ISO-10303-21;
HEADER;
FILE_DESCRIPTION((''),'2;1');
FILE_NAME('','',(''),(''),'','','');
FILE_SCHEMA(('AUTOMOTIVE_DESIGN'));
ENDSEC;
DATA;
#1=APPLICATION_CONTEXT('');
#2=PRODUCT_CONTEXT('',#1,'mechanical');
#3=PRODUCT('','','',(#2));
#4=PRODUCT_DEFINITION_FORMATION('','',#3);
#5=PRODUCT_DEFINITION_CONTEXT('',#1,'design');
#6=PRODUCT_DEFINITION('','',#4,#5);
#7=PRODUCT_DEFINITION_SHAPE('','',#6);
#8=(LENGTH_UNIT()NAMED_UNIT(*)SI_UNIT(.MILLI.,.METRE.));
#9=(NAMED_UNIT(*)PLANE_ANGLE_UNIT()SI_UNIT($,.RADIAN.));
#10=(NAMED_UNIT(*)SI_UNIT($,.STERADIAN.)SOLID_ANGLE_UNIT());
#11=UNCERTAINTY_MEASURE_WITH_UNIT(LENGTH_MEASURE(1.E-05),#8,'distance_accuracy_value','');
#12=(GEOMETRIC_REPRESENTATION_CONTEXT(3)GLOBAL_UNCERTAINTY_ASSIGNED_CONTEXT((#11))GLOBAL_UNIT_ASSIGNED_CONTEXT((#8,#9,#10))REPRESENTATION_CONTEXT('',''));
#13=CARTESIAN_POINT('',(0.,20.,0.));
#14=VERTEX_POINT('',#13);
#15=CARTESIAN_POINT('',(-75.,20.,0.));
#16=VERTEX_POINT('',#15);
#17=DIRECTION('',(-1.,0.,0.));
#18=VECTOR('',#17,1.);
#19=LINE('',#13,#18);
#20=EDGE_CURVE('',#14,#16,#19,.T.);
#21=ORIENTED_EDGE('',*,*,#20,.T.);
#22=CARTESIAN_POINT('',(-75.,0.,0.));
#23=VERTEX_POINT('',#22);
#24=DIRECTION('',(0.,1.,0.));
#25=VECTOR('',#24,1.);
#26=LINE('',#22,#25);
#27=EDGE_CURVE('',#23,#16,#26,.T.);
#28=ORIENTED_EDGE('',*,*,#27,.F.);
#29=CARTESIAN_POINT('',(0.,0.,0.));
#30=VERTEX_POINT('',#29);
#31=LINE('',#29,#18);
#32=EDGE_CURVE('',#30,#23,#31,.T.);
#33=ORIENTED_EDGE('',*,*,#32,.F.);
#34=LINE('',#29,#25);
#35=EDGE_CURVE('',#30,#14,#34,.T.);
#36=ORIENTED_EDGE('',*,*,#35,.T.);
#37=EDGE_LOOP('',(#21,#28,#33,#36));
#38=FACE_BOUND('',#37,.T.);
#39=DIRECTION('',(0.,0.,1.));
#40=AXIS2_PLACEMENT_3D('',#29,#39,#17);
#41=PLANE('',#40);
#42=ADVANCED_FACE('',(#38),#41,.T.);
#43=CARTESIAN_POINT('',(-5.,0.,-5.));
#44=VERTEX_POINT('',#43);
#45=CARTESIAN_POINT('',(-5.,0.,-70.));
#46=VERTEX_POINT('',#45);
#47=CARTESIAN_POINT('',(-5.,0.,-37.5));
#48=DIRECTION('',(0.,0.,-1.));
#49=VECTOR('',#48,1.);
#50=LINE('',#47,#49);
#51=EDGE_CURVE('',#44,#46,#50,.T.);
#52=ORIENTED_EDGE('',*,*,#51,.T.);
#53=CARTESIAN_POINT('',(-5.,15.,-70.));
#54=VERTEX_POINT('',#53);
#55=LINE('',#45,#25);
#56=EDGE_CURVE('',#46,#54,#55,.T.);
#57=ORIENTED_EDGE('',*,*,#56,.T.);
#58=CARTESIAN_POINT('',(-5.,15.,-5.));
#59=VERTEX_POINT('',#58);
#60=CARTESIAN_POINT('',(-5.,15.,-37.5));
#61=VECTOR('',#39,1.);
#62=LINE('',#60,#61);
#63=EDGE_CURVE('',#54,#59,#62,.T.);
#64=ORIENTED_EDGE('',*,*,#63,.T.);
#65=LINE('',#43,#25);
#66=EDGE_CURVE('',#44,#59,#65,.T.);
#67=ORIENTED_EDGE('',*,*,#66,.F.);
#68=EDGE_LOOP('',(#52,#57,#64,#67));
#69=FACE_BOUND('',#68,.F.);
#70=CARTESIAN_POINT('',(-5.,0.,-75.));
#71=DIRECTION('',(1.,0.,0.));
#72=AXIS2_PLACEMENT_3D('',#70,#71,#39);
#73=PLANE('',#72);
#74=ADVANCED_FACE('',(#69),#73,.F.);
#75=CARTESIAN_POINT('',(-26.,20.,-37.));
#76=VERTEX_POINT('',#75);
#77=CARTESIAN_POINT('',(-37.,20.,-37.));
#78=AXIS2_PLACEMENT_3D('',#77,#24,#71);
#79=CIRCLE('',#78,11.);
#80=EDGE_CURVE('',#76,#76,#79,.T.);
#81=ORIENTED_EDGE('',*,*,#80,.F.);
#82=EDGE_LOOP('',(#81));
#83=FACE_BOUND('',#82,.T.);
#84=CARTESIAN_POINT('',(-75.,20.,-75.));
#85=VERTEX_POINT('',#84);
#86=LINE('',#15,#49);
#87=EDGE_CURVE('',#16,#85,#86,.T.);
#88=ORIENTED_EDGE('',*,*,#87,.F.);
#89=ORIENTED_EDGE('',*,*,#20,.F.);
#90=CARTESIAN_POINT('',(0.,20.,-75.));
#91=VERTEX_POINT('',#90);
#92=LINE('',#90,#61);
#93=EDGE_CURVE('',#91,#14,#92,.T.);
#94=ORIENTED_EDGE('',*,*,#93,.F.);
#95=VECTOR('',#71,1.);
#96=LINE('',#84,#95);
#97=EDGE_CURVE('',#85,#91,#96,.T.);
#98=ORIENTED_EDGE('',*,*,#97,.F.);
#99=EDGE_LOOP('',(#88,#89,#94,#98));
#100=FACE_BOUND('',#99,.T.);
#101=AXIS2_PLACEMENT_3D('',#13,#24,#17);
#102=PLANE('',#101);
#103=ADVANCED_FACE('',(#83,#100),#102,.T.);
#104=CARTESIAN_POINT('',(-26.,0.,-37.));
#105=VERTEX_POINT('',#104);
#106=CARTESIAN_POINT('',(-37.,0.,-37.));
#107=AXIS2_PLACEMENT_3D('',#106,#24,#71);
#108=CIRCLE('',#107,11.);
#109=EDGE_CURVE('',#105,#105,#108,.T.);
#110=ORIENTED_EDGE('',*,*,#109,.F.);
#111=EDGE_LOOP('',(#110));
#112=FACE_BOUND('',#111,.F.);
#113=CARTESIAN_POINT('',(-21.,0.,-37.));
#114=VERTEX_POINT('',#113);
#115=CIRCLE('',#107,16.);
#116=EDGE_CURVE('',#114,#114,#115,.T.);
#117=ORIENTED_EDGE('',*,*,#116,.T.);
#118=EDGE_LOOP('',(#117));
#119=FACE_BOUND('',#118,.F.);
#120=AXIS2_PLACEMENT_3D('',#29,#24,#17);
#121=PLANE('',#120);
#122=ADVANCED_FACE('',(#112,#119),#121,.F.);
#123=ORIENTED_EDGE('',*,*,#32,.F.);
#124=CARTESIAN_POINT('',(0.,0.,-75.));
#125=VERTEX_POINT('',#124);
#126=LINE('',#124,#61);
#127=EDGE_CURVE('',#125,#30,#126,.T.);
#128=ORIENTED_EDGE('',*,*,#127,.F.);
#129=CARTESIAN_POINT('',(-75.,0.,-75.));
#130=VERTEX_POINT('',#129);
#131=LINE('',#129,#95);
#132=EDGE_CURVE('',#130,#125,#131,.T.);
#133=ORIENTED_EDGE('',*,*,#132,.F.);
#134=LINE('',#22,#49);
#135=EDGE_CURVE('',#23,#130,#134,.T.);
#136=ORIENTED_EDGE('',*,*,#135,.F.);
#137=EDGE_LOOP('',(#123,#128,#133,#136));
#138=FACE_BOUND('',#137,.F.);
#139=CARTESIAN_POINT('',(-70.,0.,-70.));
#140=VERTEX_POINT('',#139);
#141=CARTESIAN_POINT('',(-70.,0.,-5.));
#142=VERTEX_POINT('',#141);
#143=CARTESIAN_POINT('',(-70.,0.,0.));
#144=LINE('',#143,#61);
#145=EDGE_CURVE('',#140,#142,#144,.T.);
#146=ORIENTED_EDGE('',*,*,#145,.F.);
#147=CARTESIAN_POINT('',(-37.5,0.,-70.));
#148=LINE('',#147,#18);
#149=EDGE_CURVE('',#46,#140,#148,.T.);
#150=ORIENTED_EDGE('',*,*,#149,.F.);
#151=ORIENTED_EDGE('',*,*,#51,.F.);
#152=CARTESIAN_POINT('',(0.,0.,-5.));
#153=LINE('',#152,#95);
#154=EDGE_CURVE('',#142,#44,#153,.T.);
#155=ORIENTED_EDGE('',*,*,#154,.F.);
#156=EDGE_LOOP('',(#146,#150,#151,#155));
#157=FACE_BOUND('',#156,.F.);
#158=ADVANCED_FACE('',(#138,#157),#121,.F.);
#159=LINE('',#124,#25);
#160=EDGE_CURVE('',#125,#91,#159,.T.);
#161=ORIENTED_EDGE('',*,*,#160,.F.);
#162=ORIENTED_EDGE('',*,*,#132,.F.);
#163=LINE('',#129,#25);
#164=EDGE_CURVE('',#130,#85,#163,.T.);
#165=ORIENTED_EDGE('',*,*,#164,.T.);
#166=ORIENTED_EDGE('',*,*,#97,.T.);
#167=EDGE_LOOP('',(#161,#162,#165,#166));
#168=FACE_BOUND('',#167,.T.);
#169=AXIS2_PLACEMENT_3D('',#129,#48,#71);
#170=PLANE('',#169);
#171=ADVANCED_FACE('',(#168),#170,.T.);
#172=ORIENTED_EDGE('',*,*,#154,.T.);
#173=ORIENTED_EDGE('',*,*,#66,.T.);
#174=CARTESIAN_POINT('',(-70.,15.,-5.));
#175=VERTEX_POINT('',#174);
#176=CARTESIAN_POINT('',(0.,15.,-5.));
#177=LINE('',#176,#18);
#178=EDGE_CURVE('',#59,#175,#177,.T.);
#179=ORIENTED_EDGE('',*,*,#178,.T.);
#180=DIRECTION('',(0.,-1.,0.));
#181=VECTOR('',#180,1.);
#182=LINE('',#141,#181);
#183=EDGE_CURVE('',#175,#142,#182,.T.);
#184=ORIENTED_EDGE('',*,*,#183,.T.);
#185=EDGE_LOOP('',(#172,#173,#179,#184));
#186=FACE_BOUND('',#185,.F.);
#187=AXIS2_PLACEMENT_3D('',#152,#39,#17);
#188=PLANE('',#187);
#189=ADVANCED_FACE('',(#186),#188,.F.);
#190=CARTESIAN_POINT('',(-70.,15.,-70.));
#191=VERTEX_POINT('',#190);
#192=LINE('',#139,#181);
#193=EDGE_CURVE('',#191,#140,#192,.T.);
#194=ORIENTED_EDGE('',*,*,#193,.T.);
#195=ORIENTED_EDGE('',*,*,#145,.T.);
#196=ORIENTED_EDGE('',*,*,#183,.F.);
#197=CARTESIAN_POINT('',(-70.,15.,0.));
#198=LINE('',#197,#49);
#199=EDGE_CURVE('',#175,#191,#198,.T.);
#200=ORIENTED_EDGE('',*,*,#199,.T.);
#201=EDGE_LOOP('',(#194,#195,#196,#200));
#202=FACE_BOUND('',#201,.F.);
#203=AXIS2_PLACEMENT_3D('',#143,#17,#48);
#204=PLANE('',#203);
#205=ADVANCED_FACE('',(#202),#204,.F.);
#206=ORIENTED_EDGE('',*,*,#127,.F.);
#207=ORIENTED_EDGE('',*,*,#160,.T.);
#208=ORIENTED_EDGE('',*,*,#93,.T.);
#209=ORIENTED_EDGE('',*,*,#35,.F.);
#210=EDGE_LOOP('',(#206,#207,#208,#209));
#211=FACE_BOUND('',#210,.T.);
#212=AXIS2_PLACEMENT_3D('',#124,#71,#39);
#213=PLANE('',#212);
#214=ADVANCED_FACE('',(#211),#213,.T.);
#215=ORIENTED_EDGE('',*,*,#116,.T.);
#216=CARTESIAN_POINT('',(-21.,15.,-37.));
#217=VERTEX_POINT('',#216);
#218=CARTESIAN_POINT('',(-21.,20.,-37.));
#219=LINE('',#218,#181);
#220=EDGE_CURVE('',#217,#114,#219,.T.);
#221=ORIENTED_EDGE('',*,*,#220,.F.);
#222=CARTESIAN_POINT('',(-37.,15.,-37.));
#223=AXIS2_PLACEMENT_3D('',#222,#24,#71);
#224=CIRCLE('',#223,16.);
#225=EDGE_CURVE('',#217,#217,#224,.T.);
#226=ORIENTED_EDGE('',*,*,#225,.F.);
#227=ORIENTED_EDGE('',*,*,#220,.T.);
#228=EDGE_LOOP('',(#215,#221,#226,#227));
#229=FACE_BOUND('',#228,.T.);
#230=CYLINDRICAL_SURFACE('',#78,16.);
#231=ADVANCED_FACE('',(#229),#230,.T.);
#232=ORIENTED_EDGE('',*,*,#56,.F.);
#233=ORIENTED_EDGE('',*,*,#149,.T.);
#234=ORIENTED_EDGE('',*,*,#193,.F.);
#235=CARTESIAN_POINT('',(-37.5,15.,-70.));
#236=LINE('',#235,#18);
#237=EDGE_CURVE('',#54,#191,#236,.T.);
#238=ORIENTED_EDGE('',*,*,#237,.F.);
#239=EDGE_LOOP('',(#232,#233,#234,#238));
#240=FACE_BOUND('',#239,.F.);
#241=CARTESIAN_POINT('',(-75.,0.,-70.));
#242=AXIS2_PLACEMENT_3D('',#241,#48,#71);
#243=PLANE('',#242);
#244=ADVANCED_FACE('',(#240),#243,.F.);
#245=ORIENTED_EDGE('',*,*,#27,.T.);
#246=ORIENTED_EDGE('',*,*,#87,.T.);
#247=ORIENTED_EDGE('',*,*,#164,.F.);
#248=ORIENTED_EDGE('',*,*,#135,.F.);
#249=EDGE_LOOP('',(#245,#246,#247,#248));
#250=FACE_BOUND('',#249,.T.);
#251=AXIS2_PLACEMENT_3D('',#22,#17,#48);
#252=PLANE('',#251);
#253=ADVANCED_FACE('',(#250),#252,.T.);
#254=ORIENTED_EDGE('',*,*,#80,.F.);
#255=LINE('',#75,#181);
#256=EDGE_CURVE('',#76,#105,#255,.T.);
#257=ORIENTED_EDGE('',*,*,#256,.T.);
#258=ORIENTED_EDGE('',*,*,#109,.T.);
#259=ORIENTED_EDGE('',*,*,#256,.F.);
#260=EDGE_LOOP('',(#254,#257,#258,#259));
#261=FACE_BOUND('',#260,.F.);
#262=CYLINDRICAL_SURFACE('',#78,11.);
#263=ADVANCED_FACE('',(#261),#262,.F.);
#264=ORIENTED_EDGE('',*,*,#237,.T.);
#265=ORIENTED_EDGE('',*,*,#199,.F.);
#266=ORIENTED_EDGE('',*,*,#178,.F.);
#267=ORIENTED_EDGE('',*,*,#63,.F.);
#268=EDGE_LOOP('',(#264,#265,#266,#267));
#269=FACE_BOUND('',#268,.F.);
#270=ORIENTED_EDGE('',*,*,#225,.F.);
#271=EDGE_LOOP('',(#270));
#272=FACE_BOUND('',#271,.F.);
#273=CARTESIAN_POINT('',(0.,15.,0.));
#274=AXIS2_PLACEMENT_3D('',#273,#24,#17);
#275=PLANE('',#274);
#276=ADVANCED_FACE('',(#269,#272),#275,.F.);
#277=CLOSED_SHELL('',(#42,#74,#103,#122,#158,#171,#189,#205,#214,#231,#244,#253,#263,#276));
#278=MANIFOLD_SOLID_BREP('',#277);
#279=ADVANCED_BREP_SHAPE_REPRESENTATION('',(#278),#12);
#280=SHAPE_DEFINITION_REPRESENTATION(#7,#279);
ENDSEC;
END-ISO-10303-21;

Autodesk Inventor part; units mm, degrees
ref_plane "YZ Plane" through (0, 0, 0) normal (1, 0, 0) x (0, 1, 0)
ref_plane "XZ Plane" through (0, 0, 0) normal (0, 1, 0) x (-1, 0, 0)
ref_plane "XY Plane" through (0, 0, 0) normal (0, 0, 1) x (1, 0, 0)
sketch "Sketch1" plane through (0, 0, 0) normal (0, 1, 0) x (-1, 0, 0)
  point P0 (0, 0)
sketch "Sketch2" plane through (0, 0, 0) normal (0, 1, 0) x (-1, 0, 0)
  line L0 (0, 0) -> (75, 0)
  line L1 (75, 0) -> (75, -75)
  line L2 (75, -75) -> (0, -75)
  line L3 (0, -75) -> (0, 0)
  dimension "d0" = 75
  dimension "d1" = 75
extrude "Extrusion1" add sketch "Sketch2" along normal blind 20
sketch "Sketch3" plane through (0, 20, 0) normal (0, 1, 0) x (1, 0, 0)
  circle A0 centre (-37, 37) radius 11
  point P0 (0, 0)
extrude "Extrusion2" cut sketch "Sketch3" against normal blind 39
shell "Shell1" thickness 5 removed faces 1 at (-37.7753, 0, -65.9733)
properties part number "B9A"
